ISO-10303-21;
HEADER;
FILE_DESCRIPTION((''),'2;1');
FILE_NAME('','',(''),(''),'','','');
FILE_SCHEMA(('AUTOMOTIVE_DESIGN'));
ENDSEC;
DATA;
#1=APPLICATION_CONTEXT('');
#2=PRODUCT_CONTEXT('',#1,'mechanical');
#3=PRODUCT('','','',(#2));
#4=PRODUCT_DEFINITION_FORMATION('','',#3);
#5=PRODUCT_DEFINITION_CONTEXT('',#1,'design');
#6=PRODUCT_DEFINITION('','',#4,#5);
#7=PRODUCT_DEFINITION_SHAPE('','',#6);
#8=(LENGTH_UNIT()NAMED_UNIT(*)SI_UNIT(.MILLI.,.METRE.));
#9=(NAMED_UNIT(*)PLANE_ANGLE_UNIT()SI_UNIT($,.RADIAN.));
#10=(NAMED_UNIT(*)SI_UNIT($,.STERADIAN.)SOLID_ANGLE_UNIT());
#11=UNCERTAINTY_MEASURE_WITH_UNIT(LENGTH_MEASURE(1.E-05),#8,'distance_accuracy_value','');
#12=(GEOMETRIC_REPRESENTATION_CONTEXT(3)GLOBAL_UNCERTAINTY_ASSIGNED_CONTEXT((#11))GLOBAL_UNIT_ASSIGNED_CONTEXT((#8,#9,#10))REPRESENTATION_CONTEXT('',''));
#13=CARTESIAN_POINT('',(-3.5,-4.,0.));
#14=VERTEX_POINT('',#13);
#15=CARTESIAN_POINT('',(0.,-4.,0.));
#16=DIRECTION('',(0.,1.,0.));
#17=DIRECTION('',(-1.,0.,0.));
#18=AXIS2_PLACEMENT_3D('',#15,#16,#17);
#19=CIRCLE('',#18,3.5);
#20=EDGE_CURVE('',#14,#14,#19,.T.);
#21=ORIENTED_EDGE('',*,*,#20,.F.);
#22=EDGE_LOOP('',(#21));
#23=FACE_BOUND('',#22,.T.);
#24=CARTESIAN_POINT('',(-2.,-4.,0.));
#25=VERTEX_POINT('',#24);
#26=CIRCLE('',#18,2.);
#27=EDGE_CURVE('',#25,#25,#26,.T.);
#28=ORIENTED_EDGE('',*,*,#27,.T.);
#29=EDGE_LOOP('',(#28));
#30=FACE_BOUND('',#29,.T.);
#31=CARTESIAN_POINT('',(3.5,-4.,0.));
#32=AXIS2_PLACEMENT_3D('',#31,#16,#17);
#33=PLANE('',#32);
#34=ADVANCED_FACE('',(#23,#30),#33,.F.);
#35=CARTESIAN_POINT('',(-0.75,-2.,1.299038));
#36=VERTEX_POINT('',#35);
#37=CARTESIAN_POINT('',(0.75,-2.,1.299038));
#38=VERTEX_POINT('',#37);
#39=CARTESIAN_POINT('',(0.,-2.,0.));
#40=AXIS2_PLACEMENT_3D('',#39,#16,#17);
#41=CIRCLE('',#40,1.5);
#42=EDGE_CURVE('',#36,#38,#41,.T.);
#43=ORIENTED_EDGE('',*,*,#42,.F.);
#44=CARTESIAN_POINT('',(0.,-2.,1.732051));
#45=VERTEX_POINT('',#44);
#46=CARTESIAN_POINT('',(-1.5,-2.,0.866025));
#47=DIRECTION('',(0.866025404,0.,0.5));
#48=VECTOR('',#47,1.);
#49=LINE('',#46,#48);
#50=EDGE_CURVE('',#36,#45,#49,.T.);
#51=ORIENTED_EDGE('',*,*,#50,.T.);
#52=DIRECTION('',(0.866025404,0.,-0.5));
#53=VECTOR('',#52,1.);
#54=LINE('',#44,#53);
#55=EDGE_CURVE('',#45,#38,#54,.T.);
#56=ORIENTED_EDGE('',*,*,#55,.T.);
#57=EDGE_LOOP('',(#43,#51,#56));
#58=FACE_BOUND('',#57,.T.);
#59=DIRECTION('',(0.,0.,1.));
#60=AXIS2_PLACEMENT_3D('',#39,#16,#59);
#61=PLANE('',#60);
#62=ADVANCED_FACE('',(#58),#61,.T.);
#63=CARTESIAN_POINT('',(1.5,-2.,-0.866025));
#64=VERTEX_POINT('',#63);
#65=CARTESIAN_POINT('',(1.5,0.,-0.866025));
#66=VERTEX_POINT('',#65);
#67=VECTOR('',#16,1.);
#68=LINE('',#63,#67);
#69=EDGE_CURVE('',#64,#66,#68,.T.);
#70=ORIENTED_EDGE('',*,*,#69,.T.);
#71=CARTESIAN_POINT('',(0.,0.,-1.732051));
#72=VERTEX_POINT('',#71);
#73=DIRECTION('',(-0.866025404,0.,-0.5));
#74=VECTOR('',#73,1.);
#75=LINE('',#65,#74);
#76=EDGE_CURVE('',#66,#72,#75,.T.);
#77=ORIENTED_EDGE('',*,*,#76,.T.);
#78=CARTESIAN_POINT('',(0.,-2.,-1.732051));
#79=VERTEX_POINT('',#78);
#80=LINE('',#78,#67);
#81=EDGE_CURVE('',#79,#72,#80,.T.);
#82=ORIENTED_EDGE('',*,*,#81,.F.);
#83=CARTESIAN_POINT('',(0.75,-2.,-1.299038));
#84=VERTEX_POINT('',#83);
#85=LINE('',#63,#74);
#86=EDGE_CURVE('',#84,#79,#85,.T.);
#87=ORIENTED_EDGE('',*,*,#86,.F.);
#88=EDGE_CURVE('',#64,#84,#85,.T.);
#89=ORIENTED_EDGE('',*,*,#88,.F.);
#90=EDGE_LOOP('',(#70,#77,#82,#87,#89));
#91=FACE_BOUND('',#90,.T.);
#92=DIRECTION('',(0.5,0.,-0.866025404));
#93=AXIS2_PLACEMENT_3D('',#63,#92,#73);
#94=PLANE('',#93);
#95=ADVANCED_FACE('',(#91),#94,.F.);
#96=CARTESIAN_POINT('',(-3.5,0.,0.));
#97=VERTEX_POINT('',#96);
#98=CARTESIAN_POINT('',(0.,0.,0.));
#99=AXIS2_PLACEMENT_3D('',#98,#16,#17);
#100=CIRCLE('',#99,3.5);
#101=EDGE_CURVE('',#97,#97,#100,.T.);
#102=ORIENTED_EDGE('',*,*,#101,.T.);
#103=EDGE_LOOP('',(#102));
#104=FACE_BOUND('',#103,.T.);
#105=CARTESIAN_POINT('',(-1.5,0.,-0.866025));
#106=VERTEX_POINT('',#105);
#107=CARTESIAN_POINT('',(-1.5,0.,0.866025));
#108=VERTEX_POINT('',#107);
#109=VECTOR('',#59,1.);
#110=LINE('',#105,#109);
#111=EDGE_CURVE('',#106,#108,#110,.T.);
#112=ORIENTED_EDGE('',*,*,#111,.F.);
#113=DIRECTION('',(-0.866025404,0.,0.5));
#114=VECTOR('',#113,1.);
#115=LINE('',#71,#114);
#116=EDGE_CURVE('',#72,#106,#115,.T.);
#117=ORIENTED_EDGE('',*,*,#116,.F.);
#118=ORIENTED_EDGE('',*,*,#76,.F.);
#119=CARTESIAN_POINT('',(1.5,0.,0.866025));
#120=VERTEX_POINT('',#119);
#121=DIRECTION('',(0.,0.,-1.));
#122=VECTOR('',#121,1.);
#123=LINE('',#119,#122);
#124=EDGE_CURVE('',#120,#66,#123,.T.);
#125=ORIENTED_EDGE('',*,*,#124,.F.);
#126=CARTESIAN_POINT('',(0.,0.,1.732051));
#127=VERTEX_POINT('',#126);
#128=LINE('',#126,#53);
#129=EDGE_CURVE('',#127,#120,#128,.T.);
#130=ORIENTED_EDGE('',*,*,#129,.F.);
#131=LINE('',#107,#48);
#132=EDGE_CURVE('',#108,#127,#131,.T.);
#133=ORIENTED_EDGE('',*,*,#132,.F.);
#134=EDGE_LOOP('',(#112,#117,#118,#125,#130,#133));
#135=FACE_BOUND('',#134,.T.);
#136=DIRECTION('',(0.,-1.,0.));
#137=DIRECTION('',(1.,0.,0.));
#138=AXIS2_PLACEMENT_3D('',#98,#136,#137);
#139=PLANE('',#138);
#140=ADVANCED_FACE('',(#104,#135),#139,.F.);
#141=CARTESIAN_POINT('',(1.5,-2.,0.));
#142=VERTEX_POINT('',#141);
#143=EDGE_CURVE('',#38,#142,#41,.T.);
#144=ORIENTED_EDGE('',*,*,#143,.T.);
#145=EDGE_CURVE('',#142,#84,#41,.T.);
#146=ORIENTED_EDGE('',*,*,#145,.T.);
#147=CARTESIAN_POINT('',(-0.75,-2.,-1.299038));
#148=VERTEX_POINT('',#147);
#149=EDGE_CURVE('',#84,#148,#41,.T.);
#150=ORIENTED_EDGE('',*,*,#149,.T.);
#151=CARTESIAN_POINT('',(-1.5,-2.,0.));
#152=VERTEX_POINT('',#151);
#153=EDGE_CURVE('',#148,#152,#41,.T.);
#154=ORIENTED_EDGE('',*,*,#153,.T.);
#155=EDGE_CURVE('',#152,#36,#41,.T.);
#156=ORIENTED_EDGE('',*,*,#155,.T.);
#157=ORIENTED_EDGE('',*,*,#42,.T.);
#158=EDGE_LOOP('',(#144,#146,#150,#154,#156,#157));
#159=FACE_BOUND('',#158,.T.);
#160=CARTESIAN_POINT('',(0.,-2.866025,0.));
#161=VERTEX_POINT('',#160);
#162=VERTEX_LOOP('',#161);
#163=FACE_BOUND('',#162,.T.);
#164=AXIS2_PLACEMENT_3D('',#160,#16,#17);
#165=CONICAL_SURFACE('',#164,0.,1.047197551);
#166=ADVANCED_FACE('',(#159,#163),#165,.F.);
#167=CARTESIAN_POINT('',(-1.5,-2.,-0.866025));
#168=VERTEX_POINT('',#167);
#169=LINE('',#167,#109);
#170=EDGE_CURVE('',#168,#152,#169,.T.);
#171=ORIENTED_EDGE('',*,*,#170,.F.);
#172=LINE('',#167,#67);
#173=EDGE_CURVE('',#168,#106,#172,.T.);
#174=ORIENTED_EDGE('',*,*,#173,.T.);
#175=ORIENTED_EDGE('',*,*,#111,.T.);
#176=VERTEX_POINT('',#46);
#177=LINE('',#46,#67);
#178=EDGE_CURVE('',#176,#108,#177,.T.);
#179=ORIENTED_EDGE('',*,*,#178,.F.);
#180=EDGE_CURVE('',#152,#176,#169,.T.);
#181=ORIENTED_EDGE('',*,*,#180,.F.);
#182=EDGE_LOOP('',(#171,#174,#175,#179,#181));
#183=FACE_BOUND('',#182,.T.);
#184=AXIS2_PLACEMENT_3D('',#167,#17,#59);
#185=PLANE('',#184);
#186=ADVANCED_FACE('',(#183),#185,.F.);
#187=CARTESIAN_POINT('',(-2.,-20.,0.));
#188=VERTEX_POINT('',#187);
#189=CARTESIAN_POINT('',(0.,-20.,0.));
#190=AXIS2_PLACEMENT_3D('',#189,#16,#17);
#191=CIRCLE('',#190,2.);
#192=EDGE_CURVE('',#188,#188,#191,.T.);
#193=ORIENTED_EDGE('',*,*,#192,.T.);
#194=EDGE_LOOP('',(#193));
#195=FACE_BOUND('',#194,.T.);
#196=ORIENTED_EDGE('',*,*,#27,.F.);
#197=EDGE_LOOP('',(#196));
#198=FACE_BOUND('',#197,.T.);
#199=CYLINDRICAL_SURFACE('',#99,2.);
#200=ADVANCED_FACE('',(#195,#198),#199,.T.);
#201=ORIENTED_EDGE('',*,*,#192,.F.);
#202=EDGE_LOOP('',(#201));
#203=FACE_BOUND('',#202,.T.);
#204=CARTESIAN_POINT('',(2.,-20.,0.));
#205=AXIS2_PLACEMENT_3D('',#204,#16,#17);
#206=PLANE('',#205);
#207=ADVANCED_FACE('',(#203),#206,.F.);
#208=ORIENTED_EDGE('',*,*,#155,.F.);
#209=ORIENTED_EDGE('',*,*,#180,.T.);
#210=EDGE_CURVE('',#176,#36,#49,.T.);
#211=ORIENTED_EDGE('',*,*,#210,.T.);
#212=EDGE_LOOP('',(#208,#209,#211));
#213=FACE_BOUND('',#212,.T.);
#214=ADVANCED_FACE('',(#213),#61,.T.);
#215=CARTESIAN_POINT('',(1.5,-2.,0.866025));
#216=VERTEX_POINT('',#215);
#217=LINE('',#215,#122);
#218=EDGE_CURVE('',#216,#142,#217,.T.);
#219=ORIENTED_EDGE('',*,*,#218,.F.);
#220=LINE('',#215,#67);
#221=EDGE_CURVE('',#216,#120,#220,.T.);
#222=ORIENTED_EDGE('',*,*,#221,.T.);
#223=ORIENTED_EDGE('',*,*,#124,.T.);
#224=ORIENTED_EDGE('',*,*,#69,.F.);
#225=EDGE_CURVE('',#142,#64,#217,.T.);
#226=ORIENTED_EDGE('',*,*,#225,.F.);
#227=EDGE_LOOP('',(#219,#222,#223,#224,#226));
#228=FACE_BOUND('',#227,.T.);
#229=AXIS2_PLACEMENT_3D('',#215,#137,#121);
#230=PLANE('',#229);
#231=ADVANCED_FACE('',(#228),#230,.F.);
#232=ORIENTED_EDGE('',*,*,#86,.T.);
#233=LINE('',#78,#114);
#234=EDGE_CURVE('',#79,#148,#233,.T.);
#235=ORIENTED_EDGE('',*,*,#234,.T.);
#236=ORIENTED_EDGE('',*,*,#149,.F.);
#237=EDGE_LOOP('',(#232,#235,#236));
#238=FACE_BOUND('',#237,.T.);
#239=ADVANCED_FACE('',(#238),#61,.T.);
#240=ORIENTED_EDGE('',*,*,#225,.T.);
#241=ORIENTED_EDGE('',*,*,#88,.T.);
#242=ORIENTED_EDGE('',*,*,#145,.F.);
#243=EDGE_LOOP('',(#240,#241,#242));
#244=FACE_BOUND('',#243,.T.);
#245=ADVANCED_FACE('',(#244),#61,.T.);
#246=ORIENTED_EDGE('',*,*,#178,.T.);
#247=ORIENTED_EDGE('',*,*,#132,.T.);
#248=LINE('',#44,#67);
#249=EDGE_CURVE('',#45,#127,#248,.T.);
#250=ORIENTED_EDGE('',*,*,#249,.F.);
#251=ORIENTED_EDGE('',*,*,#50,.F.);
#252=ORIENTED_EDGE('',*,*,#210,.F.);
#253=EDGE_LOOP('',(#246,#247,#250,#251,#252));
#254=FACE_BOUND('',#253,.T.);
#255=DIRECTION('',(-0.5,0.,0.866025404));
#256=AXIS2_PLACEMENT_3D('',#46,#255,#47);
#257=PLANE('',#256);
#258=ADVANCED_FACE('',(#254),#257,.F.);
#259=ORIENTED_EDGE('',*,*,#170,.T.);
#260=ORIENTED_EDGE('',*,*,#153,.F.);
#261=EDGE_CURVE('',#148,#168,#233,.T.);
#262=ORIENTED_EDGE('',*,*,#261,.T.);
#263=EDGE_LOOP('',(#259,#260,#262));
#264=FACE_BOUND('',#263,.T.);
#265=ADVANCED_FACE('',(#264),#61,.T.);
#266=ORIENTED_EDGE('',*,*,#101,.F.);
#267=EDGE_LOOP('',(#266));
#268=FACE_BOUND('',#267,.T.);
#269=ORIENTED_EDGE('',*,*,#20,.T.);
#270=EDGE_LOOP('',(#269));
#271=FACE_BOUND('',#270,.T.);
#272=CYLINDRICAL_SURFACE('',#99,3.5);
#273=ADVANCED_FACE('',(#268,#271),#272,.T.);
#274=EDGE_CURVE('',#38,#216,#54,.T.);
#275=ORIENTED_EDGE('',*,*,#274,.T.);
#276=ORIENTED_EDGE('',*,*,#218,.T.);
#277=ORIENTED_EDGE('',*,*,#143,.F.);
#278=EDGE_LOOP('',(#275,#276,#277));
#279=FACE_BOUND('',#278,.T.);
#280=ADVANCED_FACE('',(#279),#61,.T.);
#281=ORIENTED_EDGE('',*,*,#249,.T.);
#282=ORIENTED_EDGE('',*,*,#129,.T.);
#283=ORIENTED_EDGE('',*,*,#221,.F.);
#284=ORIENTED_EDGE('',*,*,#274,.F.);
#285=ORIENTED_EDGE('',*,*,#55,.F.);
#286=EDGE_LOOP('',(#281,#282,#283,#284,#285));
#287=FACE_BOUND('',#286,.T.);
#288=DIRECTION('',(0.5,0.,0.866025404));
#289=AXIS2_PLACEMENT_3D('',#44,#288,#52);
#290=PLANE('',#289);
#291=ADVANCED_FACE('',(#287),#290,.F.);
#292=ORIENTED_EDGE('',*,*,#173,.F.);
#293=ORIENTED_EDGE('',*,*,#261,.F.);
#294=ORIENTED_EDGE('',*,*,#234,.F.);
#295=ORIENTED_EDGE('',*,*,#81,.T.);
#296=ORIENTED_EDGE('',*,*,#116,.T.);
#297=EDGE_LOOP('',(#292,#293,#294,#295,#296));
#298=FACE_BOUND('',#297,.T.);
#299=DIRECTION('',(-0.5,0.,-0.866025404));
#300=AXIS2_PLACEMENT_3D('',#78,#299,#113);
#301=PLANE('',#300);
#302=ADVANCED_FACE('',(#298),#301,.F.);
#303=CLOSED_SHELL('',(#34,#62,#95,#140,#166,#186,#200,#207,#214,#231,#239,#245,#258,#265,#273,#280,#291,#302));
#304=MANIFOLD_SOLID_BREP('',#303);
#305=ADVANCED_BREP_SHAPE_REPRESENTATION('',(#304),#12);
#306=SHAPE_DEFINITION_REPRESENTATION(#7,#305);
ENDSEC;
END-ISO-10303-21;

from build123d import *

# Parameters (mm, degrees)
CUT_EXTRUDE1_DEPTH = 2


with BuildPart() as part:
    # Sketch1 → Revolve1 (revolve)
    with BuildSketch(Plane.XY, mode=Mode.PRIVATE) as revolve1_sk:
        Polygon((0, 0), (3.5, 0), (3.5, -4), (2, -4), (2, -20), (0, -20), align=None)
    revolve(revolve1_sk.sketch.rotate(Axis((0, 0, 0), (0, -1, 0)), 180), axis=Axis((0, 0, 0), (0, -1, 0)))

    # Sketch2 → Cut-Revolve1 (revolve, cut)
    with BuildSketch(Plane.XY, mode=Mode.PRIVATE) as cut_revolve1_sk:
        Polygon((1.5, 0), (1.5, -2), (0, -2.866025404), (0, 0), align=None)
    revolve(cut_revolve1_sk.sketch.rotate(Axis((0, 0, 0), (0, -1, 0)), 180), axis=Axis((0, 0, 0), (0, -1, 0)), mode=Mode.SUBTRACT)

    # Sketch3 → Cut-Extrude1 (cut)
    with BuildSketch(Plane(origin=(0, 0, 0), x_dir=(1, 0, 0), z_dir=(0, 1, 0))):
        Polygon((0, 1.732050808), (-1.5, 0.866025404), (-1.5, -0.866025404), (0, -1.732050808), (1.5, -0.866025404), (1.5, 0.866025404), align=None)
    extrude(amount=-CUT_EXTRUDE1_DEPTH, mode=Mode.SUBTRACT)


solid = part.part
